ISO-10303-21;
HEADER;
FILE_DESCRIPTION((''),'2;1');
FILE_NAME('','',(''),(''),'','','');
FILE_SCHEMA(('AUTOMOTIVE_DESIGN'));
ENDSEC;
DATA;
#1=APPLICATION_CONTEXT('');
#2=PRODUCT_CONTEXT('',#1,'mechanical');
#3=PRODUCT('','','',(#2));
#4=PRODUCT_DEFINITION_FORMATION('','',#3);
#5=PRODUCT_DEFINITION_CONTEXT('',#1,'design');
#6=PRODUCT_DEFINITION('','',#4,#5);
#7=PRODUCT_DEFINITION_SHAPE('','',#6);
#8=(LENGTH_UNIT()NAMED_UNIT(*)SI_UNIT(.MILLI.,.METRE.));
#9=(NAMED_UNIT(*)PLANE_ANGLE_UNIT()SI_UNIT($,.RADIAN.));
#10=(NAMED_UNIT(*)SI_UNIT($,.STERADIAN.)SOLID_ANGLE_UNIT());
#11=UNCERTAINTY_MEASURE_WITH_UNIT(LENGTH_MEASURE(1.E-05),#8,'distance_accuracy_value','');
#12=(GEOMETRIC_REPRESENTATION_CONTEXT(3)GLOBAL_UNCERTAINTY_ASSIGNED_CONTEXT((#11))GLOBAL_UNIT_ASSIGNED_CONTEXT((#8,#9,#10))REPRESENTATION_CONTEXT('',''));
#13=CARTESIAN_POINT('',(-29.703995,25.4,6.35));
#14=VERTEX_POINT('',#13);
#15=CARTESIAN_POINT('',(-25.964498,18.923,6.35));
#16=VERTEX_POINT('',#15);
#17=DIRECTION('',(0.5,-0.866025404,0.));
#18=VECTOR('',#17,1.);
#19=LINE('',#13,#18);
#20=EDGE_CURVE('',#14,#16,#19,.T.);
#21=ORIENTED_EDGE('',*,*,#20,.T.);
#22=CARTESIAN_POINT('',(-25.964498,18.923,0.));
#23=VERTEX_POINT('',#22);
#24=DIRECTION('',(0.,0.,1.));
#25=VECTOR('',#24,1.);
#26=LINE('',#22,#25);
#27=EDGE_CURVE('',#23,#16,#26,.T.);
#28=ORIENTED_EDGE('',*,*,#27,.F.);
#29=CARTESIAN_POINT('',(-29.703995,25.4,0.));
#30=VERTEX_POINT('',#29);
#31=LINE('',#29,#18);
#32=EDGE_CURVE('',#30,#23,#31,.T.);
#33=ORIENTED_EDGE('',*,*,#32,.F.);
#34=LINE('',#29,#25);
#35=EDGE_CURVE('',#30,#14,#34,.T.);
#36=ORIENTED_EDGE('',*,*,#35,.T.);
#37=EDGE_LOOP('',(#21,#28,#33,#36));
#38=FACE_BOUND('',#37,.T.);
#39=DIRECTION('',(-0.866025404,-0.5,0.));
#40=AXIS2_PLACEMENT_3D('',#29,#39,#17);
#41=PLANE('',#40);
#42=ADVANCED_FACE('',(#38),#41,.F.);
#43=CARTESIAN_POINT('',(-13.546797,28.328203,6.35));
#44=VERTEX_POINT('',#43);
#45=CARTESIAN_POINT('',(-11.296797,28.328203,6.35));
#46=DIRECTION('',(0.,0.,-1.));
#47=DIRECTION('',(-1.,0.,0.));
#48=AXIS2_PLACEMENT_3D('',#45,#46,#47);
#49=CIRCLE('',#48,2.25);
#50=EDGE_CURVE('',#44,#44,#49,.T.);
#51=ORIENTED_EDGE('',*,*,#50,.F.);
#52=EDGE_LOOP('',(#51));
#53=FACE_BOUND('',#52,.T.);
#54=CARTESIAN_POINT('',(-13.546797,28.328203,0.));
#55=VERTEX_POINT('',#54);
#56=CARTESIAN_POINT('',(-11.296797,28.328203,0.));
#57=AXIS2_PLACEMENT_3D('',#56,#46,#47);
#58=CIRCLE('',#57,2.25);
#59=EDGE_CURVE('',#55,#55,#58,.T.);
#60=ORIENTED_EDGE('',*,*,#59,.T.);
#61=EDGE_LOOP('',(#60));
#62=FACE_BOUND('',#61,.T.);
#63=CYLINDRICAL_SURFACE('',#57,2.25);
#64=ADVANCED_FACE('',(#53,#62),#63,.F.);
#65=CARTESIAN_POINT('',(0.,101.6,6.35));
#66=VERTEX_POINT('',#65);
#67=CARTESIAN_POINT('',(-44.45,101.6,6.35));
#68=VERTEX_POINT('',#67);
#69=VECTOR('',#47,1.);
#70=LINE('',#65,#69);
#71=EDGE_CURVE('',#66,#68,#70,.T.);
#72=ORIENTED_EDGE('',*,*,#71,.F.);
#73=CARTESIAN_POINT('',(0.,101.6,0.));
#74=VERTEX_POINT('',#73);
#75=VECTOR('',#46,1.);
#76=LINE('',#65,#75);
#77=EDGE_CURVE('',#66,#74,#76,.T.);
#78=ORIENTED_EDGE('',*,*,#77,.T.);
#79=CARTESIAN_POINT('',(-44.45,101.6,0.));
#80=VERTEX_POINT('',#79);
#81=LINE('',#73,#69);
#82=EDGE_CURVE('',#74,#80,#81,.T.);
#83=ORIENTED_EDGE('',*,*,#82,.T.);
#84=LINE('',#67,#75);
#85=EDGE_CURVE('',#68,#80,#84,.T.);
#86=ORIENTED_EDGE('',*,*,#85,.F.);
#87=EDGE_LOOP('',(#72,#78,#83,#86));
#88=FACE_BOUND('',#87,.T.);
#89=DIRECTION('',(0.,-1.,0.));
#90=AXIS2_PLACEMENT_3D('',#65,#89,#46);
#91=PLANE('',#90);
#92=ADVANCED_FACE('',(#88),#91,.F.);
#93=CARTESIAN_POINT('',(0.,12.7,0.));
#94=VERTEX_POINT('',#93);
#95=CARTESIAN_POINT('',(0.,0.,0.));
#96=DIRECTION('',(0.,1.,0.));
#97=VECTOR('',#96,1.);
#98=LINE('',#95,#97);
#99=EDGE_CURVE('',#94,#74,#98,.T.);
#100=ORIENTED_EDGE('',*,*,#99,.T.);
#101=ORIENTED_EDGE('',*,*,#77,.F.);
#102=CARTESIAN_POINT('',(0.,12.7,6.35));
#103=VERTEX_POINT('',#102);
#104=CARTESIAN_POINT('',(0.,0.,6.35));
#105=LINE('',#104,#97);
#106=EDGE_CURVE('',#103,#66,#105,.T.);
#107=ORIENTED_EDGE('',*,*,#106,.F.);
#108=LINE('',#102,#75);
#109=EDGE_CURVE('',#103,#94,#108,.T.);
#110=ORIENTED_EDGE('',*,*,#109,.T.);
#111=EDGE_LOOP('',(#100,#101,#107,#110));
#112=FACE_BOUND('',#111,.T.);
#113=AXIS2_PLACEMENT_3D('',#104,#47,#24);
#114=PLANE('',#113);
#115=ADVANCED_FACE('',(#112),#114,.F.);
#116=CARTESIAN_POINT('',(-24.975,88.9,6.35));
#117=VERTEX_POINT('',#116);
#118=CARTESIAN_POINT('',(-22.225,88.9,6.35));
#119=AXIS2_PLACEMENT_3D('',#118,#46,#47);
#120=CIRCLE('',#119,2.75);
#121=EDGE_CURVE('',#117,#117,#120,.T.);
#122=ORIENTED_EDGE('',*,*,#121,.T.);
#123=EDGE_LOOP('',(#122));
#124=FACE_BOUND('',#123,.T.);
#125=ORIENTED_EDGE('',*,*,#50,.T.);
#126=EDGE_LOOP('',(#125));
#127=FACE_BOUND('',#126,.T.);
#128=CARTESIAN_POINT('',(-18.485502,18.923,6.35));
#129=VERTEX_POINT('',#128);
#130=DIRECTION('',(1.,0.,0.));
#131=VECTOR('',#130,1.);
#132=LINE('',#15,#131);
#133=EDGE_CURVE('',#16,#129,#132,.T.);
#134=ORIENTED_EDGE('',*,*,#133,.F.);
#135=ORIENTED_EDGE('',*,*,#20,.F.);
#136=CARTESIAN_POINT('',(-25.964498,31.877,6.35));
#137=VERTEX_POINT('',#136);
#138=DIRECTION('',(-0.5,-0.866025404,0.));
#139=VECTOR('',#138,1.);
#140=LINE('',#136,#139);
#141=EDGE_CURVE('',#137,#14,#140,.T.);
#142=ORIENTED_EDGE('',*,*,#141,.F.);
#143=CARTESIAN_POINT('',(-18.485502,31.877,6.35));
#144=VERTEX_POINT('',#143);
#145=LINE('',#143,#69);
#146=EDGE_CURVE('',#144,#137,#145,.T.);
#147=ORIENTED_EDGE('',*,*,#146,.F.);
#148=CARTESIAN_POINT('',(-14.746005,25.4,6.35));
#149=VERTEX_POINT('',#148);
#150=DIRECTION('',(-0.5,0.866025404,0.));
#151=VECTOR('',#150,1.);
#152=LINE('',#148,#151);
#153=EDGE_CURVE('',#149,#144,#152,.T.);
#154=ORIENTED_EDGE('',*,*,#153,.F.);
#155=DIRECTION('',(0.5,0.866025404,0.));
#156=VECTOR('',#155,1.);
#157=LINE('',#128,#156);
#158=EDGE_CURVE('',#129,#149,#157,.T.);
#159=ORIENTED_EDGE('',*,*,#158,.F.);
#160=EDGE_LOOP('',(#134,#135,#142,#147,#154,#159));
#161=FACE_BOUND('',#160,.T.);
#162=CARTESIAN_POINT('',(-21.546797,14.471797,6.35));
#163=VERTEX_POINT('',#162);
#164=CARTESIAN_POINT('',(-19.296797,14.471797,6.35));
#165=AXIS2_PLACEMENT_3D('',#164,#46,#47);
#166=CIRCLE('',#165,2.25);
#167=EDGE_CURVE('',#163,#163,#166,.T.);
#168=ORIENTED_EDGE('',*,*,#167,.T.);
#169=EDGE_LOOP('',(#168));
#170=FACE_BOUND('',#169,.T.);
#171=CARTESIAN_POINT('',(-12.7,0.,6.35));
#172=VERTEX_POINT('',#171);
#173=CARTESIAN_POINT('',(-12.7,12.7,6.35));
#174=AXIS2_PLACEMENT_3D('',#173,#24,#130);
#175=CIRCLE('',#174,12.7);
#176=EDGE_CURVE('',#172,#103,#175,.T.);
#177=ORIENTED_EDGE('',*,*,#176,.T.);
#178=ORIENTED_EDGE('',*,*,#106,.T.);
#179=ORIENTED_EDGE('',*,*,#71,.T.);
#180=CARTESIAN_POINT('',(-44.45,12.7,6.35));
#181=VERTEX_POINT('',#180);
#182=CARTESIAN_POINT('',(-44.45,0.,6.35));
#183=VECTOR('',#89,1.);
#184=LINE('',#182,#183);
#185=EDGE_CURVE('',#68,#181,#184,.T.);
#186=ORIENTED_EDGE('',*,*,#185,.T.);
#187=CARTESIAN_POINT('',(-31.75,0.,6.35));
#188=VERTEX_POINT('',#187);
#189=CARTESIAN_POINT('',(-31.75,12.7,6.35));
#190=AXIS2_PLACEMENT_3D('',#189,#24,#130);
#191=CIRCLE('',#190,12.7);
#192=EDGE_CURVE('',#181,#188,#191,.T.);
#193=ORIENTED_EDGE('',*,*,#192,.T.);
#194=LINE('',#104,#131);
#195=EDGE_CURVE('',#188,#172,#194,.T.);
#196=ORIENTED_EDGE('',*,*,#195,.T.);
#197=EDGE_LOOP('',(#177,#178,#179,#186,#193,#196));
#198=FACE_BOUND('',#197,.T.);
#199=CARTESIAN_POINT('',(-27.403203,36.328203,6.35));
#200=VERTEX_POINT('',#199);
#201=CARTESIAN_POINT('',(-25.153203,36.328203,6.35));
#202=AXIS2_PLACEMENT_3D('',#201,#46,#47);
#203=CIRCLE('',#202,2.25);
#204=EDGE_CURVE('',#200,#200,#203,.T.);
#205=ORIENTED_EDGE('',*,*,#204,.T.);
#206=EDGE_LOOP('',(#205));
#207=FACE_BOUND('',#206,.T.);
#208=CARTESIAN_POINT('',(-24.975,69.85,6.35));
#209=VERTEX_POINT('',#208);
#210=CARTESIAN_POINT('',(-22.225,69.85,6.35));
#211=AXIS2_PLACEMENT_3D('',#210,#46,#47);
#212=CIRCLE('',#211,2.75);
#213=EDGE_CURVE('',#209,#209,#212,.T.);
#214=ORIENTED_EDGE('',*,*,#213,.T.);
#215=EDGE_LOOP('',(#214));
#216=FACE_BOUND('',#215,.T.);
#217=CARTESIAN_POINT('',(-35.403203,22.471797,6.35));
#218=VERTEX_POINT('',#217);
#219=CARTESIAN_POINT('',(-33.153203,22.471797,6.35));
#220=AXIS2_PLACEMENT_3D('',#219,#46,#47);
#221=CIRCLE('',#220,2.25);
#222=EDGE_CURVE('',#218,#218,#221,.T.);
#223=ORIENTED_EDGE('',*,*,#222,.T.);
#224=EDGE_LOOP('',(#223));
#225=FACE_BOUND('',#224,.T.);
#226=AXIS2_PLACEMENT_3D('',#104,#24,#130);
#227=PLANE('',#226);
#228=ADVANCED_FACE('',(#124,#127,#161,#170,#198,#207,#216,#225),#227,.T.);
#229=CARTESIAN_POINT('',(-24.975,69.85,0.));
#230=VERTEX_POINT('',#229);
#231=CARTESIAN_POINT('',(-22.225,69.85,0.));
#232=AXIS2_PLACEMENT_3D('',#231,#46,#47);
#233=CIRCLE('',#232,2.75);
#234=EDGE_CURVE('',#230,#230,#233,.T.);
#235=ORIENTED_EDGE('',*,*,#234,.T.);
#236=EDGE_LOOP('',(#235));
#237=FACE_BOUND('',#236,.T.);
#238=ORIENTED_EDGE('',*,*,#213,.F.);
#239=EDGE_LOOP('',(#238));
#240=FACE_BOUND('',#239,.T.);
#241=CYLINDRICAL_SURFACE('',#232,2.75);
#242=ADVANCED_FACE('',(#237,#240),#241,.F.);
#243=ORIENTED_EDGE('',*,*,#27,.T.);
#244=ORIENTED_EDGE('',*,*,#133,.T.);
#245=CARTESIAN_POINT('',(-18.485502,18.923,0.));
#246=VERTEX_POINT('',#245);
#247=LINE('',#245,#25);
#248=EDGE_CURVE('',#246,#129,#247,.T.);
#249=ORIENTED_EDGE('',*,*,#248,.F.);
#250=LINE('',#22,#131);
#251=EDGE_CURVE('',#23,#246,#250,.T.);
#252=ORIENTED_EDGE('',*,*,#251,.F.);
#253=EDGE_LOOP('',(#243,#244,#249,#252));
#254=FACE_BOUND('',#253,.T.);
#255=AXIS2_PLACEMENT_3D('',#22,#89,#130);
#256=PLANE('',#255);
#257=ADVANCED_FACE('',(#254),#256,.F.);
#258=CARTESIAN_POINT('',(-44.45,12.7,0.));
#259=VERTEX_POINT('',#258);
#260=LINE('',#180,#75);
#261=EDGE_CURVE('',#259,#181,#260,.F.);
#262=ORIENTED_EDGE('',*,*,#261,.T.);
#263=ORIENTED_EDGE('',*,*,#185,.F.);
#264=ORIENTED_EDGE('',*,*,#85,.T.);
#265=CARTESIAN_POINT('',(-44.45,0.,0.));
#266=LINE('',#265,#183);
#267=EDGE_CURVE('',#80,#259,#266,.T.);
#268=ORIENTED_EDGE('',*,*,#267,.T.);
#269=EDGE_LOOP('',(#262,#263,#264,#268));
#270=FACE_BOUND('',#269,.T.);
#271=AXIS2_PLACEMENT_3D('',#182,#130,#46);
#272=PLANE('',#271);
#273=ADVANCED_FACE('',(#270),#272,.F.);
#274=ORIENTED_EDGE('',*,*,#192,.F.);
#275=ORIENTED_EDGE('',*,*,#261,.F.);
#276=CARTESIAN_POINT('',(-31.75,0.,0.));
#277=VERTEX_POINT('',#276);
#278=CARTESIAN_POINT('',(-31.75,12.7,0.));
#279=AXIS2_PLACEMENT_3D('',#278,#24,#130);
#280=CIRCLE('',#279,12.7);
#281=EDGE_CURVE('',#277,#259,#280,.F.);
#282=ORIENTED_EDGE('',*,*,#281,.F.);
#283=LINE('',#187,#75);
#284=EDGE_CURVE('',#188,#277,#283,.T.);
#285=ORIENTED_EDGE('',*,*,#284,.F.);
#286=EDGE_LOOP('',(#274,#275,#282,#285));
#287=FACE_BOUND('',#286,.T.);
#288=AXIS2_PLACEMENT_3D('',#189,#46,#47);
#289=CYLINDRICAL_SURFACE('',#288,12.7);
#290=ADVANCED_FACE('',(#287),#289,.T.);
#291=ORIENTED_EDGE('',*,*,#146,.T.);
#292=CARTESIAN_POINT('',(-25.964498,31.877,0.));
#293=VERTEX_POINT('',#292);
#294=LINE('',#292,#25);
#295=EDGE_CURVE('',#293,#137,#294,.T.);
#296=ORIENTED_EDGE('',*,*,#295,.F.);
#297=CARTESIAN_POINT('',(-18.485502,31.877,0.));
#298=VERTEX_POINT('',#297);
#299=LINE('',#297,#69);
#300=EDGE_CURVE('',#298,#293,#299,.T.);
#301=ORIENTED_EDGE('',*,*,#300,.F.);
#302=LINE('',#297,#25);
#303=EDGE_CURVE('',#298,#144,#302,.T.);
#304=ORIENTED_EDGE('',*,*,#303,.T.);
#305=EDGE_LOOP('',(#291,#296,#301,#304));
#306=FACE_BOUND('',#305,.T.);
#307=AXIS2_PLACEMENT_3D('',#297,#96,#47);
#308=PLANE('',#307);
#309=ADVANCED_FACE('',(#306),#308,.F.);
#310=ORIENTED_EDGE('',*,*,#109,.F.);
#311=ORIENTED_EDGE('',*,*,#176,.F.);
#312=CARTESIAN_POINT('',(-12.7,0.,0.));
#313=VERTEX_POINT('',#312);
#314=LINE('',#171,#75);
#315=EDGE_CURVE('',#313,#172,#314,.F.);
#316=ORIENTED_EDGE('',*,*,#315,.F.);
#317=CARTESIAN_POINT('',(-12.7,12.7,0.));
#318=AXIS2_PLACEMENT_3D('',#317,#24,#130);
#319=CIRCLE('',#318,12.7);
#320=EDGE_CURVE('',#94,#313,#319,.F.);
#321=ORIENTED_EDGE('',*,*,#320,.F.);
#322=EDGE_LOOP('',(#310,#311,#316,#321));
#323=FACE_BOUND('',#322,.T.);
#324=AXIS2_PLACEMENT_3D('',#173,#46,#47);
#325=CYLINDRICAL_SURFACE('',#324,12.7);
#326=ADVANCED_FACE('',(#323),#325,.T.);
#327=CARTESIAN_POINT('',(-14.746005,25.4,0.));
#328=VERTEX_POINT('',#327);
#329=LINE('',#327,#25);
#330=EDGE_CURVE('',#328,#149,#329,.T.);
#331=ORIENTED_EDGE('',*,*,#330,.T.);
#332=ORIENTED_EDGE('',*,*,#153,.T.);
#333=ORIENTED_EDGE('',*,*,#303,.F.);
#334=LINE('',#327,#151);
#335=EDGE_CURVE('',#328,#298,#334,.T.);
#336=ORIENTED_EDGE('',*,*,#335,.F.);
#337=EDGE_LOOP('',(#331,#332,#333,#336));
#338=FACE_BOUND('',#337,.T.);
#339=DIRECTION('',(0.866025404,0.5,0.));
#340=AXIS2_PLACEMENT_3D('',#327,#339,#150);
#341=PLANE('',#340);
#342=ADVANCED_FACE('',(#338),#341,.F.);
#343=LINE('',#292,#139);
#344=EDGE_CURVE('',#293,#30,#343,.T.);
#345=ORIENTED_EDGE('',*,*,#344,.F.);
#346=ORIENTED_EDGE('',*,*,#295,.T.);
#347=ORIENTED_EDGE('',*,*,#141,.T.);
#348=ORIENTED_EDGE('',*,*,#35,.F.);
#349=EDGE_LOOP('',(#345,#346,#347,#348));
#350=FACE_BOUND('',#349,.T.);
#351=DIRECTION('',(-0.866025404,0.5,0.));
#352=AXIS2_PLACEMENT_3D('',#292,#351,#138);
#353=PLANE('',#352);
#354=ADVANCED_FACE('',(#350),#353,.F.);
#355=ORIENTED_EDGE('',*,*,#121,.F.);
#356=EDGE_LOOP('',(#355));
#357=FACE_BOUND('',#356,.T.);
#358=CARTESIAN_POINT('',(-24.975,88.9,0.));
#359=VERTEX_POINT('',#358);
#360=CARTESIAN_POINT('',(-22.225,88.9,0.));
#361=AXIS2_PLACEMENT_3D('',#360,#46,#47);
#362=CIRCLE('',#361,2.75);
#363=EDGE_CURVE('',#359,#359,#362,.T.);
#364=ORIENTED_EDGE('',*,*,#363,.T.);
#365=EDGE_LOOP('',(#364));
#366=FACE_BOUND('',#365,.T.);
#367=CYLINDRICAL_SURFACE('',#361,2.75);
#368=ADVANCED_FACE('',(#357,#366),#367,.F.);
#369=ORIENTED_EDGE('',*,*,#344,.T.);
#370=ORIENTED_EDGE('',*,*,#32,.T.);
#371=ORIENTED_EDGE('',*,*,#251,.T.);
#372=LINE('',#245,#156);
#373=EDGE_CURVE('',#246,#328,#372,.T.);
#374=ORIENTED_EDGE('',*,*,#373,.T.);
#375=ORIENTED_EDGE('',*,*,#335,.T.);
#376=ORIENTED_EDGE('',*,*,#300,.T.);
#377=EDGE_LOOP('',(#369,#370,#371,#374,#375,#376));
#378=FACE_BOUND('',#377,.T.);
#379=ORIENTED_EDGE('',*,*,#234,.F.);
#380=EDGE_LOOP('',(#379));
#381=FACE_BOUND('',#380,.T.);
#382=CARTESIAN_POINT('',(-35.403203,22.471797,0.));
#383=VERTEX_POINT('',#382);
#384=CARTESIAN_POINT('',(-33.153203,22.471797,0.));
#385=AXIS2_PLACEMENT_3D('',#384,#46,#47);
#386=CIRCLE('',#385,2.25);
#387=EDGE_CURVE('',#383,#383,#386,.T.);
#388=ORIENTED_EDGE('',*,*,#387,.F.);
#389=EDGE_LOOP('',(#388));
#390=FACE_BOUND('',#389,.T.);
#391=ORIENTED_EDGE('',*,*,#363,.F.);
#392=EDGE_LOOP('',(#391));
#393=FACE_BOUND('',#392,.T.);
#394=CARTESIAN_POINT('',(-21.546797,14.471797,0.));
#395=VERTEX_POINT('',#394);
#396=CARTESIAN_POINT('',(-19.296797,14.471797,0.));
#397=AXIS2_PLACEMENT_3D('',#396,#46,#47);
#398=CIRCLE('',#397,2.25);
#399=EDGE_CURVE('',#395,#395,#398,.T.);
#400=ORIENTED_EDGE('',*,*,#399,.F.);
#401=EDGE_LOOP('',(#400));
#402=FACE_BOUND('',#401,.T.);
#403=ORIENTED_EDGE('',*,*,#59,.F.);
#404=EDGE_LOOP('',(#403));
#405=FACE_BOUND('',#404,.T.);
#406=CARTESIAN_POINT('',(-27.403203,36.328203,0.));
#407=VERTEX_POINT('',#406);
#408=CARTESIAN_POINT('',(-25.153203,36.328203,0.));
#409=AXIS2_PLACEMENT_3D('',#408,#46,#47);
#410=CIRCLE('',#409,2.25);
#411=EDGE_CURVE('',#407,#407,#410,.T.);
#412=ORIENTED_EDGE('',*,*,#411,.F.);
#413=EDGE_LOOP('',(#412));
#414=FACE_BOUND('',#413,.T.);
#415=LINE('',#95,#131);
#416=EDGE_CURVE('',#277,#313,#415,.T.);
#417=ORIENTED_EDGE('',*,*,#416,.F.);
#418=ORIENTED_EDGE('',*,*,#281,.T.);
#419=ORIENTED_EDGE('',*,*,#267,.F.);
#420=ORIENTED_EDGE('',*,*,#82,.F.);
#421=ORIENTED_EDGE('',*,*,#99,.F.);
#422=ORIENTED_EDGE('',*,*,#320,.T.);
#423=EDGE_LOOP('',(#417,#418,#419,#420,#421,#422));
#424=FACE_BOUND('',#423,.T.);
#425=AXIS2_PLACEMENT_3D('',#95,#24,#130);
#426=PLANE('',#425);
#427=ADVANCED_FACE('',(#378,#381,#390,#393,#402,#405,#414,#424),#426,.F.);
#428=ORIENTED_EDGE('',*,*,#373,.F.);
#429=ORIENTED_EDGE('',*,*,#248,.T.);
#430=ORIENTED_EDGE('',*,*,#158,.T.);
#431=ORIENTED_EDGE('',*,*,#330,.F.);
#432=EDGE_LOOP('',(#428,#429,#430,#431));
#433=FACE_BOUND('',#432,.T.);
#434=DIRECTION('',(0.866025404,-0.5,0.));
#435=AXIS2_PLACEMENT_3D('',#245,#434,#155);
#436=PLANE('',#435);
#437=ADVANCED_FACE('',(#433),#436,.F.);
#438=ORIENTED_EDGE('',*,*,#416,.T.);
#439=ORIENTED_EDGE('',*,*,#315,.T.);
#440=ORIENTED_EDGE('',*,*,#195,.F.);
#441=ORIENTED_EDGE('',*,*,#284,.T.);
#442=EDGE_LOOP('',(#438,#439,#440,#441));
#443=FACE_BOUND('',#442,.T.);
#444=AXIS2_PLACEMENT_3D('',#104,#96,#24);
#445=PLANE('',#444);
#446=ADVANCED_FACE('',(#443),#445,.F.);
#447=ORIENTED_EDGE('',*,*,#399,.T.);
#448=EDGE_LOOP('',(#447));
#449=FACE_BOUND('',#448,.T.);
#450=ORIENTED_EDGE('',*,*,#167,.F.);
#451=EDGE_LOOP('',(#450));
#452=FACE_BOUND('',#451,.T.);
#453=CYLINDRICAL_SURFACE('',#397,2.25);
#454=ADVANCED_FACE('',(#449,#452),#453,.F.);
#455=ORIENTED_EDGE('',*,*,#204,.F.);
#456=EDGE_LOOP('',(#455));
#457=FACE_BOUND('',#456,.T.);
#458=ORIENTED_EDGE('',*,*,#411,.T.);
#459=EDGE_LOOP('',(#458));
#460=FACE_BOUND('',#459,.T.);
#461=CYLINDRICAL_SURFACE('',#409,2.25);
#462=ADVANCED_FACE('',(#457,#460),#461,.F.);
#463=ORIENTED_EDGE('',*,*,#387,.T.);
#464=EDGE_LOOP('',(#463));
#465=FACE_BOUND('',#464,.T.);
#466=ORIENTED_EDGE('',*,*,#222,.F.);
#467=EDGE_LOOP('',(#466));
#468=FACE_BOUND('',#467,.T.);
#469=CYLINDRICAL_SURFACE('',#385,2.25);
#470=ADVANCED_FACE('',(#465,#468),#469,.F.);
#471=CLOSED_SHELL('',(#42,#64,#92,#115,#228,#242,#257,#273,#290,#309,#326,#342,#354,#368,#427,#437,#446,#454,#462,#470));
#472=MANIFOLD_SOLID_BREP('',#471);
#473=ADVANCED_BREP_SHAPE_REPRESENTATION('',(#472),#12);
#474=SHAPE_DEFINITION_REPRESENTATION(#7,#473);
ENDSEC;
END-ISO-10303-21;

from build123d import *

# Parameters (mm, degrees)
SKETCH1_W            = 44.45
SKETCH1_H            = 101.6
BOSS_EXTRUDE2_DEPTH  = 6.35
FILLET1_R            = 12.7
M5_CLEARANCE_HOLE1_D = 5.5
CUT_EXTRUDE1_DEPTH   = 112.079633597
M4_CLEARANCE_HOLE1_D = 4.5


with BuildPart() as part:
    # Sketch1 → Boss-Extrude2 (new body)
    with BuildSketch(Plane.XY):
        with Locations((-22.225, 50.8)):
            Rectangle(SKETCH1_W, SKETCH1_H)
    extrude(amount=BOSS_EXTRUDE2_DEPTH)

    # Fillet1
    fillet1_edges = [part.edges().sort_by_distance(p)[0] for p in [
        (0, 0, 3.175),
        (-44.45, 0, 3.175),
    ]]
    fillet(fillet1_edges, radius=FILLET1_R)

    # M5 Clearance Hole1 (through all)
    with Locations(Plane(origin=(0, 0, 0), x_dir=(-1, 0, 0), z_dir=(0, 0, -1))):
        with Locations((22.225, 88.9), (22.225, 69.85)):
            Hole(M5_CLEARANCE_HOLE1_D / 2)

    # Sketch14 → Cut-Extrude1 (cut, through all)
    with BuildSketch(Plane.XY.offset(6.35)):
        Polygon((-14.746004613, 25.4), (-18.485502306, 31.877), (-25.964497694, 31.877), (-29.703995387, 25.4), (-25.964497694, 18.923), (-18.485502306, 18.923), align=None)
    extrude(amount=-CUT_EXTRUDE1_DEPTH, mode=Mode.SUBTRACT)

    # M4 Clearance Hole1 (through all)
    with Locations(Plane(origin=(0, 0, 0), x_dir=(-1, 0, 0), z_dir=(0, 0, -1))):
        with Locations((11.29679677, 28.32820323), (25.15320323, 36.32820323), (33.15320323, 22.47179677), (19.29679677, 14.47179677)):
            Hole(M4_CLEARANCE_HOLE1_D / 2)


solid = part.part
